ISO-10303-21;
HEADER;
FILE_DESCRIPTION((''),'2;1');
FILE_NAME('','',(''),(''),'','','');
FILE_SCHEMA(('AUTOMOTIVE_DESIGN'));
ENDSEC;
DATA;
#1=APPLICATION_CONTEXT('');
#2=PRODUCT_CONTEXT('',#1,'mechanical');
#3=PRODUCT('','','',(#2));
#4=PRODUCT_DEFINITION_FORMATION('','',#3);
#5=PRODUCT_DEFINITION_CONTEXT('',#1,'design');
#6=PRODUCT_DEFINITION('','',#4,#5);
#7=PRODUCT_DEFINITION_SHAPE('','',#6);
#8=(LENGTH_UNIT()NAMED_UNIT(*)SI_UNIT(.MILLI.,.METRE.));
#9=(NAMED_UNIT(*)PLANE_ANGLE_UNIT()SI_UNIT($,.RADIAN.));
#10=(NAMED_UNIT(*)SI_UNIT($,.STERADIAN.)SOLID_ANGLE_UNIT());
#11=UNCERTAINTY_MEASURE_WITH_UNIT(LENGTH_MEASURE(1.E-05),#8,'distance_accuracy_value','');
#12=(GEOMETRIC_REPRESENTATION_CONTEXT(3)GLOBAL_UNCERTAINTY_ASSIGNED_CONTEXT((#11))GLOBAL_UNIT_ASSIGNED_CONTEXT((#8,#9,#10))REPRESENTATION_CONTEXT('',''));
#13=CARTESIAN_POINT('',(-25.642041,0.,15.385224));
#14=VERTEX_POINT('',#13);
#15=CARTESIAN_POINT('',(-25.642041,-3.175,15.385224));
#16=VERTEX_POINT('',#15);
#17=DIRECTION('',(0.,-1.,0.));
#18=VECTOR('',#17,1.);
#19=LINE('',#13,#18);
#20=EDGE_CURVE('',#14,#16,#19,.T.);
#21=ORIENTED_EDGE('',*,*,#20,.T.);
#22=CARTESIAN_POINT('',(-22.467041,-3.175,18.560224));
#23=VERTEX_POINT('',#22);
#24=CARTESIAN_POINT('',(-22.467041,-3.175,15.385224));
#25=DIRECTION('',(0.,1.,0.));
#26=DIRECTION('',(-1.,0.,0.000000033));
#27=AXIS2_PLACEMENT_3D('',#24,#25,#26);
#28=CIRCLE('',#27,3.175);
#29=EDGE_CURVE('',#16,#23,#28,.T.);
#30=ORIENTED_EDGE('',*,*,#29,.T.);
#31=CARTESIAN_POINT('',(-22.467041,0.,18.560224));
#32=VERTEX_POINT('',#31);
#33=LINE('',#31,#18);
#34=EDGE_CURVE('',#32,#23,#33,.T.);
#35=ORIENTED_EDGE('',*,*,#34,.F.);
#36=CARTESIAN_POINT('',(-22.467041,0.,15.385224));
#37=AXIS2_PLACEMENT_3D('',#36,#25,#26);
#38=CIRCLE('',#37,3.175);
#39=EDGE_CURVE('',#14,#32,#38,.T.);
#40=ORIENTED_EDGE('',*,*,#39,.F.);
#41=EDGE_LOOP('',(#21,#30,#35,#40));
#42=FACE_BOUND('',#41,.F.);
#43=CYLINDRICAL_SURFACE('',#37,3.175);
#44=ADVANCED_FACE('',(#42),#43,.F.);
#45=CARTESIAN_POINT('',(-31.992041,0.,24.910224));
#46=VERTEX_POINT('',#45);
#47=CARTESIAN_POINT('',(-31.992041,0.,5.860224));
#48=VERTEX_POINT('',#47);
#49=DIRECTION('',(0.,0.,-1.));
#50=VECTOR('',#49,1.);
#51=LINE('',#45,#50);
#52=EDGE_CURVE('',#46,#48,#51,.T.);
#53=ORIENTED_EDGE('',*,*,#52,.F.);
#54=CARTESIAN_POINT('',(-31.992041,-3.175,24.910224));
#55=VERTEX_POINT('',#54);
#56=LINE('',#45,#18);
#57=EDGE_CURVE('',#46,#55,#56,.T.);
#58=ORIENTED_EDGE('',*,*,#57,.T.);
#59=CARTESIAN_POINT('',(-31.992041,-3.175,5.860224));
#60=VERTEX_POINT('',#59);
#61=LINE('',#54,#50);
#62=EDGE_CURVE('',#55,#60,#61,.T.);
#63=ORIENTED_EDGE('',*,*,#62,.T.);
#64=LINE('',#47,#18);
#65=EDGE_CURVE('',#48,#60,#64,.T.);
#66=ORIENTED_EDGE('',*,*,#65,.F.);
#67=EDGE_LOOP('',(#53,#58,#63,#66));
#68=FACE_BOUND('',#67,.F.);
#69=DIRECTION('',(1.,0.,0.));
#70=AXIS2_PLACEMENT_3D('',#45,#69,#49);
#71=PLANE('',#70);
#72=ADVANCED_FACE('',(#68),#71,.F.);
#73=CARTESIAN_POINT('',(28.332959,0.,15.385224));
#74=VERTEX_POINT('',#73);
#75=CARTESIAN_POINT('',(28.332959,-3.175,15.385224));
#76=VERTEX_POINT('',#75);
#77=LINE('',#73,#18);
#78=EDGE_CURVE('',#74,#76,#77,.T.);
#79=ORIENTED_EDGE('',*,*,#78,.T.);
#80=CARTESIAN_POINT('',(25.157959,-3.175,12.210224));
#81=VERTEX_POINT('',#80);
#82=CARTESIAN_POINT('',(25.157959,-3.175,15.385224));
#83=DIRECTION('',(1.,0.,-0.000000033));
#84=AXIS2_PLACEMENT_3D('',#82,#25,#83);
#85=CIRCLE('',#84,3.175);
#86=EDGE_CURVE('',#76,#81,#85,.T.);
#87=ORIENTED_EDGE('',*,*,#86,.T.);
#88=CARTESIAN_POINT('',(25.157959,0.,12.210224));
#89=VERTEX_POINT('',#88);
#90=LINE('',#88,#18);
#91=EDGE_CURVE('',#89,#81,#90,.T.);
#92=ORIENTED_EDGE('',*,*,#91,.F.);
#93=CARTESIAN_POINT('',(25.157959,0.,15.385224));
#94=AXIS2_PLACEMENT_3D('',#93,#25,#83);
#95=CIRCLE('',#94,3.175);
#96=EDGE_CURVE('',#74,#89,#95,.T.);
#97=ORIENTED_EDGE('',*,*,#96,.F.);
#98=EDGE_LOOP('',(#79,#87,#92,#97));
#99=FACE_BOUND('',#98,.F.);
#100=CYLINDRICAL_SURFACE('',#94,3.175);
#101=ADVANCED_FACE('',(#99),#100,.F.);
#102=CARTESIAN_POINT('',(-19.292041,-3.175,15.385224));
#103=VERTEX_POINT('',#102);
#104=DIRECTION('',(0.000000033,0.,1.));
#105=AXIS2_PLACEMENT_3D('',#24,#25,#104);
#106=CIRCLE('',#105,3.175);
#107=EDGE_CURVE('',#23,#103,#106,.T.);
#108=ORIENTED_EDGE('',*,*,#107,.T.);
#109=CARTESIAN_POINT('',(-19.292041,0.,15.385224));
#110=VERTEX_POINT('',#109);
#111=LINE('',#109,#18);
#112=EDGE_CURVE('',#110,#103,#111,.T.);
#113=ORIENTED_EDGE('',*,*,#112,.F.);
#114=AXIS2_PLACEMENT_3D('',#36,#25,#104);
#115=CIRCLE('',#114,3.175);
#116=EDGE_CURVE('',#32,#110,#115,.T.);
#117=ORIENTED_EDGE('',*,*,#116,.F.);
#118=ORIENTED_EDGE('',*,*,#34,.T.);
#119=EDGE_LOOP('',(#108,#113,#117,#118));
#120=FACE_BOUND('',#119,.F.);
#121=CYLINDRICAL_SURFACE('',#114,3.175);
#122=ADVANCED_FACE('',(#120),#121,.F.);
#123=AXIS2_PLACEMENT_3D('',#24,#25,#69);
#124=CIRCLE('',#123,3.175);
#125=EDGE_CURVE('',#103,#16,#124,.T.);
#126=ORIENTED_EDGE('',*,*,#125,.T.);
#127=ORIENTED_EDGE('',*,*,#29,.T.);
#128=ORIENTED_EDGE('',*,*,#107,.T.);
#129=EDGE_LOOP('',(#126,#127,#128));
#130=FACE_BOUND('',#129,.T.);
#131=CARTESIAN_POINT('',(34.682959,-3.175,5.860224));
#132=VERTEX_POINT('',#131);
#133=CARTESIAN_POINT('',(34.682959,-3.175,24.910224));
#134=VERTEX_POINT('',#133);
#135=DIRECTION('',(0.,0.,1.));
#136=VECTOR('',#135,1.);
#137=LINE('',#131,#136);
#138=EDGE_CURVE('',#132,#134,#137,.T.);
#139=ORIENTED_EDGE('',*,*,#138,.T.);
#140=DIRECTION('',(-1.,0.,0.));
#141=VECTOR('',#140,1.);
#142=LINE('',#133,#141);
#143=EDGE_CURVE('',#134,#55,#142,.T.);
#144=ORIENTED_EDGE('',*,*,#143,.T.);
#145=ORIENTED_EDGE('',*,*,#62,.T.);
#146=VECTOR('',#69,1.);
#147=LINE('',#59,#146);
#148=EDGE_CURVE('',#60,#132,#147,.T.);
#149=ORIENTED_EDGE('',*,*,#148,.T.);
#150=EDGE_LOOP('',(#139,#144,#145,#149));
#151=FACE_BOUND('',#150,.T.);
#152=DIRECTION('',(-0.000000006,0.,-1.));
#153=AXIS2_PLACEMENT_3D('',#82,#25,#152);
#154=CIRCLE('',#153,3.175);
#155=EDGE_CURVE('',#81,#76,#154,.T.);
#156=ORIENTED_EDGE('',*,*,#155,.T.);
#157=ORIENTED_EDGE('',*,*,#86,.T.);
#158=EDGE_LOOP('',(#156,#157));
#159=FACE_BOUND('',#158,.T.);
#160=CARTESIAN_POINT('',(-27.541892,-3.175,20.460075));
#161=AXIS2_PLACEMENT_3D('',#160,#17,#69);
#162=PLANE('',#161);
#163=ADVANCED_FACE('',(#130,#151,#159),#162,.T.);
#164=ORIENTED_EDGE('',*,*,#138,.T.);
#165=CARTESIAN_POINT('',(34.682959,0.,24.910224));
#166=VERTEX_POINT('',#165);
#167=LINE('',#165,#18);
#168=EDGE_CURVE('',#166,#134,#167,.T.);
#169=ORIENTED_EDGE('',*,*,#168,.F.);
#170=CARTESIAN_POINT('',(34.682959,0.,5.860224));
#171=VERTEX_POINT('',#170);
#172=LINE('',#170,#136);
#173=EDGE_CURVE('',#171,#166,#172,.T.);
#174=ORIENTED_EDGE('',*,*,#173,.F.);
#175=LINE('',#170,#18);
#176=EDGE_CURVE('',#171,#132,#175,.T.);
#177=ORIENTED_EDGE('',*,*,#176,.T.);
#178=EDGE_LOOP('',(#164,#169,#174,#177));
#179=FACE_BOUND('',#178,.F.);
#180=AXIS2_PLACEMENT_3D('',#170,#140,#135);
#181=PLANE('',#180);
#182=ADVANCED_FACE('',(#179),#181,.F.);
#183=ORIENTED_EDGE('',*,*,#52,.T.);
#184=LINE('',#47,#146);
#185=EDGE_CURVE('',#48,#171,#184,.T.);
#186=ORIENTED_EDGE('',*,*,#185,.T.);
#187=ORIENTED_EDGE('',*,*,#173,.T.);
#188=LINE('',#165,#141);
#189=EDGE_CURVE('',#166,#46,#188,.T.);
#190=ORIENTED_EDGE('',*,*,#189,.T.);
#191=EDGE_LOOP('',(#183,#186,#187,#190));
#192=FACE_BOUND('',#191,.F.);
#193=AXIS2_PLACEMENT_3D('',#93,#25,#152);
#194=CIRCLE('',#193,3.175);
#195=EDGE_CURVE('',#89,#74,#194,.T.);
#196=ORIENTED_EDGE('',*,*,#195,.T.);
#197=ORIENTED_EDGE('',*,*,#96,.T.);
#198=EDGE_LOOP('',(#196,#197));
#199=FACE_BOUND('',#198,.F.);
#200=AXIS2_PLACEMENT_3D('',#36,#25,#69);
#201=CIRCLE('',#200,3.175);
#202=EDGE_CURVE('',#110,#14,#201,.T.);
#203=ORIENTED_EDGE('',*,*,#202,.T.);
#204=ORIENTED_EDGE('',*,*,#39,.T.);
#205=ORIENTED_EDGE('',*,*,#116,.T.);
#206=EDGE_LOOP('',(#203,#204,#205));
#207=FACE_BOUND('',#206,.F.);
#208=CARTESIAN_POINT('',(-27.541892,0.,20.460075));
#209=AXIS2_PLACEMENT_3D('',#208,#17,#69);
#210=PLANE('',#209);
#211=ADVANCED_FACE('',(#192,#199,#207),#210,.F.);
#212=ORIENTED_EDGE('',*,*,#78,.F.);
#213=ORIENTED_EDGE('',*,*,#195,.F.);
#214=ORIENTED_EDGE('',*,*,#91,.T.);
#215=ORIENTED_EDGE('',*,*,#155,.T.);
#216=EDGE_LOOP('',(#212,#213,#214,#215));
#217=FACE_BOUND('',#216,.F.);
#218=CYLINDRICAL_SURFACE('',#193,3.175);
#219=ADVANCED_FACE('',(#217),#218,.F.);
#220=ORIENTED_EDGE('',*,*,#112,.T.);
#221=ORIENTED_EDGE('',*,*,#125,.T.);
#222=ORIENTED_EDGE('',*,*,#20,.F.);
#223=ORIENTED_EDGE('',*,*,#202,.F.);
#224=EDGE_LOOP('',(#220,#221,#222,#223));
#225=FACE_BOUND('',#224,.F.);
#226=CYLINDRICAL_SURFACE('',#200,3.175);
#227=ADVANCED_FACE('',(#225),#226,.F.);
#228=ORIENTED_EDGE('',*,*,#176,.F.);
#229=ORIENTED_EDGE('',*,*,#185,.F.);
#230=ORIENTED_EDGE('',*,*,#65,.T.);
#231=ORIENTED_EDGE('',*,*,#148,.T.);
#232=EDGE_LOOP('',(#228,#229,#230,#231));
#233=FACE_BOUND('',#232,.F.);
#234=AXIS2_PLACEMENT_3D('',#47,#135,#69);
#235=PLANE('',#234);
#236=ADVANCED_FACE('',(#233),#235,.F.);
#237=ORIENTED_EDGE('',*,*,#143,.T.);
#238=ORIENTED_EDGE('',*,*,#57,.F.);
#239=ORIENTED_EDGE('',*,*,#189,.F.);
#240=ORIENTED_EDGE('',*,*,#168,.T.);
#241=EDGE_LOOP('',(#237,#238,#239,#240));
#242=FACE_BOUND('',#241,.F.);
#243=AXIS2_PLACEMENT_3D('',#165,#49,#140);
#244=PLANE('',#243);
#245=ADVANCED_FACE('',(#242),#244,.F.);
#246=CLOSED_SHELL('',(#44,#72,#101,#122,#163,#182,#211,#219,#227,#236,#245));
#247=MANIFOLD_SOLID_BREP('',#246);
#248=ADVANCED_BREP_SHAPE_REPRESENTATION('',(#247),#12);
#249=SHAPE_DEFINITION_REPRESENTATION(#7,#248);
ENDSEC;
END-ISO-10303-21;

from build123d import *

# Parameters (mm, degrees)
F1_DEPTH = 3.175


with BuildPart() as f1:
    # F0 (on Front) → F1 (new body)
    with BuildSketch(Plane.XZ):
        with BuildLine():
            Line((-22.467041, 24.910224), (-31.992041, 24.910224))
            Line((-31.992041, 24.910224), (-31.992041, 15.385224))
            Line((-31.992041, 15.385224), (-25.642041, 15.385224))
            ThreePointArc((-25.642041, 15.385224), (-24.712105, 17.630288), (-22.467041, 18.560224))
            Line((-22.467041, 18.560224), (-22.467041, 24.910224))
        make_face()
        with BuildLine():
            Line((34.682959, 24.910224), (-22.467041, 24.910224))
            Line((-22.467041, 24.910224), (-22.467041, 18.560224))
            ThreePointArc((-22.467041, 18.560224), (-20.221977, 17.630288), (-19.292041, 15.385224))
            ThreePointArc((-19.292041, 15.385224), (-22.467041, 12.210224), (-25.642041, 15.385224))
            Line((-25.642041, 15.385224), (-31.992041, 15.385224))
            Line((-31.992041, 15.385224), (-31.992041, 5.860224))
            Line((-31.992041, 5.860224), (25.157959, 5.860224))
            Line((25.157959, 5.860224), (25.157959, 12.210224))
            ThreePointArc((25.157959, 12.210224), (22.912895, 17.630288), (28.332959, 15.385224))
            Line((28.332959, 15.385224), (34.682959, 15.385224))
            Line((34.682959, 15.385224), (34.682959, 24.910224))
        make_face()
        with BuildLine():
            Line((34.682959, 5.860224), (34.682959, 15.385224))
            Line((34.682959, 15.385224), (28.332959, 15.385224))
            ThreePointArc((28.332959, 15.385224), (27.403023, 13.14016), (25.157959, 12.210224))
            Line((25.157959, 12.210224), (25.157959, 5.860224))
            Line((25.157959, 5.860224), (34.682959, 5.860224))
        make_face()
    extrude(amount=F1_DEPTH)


solid = f1.part
